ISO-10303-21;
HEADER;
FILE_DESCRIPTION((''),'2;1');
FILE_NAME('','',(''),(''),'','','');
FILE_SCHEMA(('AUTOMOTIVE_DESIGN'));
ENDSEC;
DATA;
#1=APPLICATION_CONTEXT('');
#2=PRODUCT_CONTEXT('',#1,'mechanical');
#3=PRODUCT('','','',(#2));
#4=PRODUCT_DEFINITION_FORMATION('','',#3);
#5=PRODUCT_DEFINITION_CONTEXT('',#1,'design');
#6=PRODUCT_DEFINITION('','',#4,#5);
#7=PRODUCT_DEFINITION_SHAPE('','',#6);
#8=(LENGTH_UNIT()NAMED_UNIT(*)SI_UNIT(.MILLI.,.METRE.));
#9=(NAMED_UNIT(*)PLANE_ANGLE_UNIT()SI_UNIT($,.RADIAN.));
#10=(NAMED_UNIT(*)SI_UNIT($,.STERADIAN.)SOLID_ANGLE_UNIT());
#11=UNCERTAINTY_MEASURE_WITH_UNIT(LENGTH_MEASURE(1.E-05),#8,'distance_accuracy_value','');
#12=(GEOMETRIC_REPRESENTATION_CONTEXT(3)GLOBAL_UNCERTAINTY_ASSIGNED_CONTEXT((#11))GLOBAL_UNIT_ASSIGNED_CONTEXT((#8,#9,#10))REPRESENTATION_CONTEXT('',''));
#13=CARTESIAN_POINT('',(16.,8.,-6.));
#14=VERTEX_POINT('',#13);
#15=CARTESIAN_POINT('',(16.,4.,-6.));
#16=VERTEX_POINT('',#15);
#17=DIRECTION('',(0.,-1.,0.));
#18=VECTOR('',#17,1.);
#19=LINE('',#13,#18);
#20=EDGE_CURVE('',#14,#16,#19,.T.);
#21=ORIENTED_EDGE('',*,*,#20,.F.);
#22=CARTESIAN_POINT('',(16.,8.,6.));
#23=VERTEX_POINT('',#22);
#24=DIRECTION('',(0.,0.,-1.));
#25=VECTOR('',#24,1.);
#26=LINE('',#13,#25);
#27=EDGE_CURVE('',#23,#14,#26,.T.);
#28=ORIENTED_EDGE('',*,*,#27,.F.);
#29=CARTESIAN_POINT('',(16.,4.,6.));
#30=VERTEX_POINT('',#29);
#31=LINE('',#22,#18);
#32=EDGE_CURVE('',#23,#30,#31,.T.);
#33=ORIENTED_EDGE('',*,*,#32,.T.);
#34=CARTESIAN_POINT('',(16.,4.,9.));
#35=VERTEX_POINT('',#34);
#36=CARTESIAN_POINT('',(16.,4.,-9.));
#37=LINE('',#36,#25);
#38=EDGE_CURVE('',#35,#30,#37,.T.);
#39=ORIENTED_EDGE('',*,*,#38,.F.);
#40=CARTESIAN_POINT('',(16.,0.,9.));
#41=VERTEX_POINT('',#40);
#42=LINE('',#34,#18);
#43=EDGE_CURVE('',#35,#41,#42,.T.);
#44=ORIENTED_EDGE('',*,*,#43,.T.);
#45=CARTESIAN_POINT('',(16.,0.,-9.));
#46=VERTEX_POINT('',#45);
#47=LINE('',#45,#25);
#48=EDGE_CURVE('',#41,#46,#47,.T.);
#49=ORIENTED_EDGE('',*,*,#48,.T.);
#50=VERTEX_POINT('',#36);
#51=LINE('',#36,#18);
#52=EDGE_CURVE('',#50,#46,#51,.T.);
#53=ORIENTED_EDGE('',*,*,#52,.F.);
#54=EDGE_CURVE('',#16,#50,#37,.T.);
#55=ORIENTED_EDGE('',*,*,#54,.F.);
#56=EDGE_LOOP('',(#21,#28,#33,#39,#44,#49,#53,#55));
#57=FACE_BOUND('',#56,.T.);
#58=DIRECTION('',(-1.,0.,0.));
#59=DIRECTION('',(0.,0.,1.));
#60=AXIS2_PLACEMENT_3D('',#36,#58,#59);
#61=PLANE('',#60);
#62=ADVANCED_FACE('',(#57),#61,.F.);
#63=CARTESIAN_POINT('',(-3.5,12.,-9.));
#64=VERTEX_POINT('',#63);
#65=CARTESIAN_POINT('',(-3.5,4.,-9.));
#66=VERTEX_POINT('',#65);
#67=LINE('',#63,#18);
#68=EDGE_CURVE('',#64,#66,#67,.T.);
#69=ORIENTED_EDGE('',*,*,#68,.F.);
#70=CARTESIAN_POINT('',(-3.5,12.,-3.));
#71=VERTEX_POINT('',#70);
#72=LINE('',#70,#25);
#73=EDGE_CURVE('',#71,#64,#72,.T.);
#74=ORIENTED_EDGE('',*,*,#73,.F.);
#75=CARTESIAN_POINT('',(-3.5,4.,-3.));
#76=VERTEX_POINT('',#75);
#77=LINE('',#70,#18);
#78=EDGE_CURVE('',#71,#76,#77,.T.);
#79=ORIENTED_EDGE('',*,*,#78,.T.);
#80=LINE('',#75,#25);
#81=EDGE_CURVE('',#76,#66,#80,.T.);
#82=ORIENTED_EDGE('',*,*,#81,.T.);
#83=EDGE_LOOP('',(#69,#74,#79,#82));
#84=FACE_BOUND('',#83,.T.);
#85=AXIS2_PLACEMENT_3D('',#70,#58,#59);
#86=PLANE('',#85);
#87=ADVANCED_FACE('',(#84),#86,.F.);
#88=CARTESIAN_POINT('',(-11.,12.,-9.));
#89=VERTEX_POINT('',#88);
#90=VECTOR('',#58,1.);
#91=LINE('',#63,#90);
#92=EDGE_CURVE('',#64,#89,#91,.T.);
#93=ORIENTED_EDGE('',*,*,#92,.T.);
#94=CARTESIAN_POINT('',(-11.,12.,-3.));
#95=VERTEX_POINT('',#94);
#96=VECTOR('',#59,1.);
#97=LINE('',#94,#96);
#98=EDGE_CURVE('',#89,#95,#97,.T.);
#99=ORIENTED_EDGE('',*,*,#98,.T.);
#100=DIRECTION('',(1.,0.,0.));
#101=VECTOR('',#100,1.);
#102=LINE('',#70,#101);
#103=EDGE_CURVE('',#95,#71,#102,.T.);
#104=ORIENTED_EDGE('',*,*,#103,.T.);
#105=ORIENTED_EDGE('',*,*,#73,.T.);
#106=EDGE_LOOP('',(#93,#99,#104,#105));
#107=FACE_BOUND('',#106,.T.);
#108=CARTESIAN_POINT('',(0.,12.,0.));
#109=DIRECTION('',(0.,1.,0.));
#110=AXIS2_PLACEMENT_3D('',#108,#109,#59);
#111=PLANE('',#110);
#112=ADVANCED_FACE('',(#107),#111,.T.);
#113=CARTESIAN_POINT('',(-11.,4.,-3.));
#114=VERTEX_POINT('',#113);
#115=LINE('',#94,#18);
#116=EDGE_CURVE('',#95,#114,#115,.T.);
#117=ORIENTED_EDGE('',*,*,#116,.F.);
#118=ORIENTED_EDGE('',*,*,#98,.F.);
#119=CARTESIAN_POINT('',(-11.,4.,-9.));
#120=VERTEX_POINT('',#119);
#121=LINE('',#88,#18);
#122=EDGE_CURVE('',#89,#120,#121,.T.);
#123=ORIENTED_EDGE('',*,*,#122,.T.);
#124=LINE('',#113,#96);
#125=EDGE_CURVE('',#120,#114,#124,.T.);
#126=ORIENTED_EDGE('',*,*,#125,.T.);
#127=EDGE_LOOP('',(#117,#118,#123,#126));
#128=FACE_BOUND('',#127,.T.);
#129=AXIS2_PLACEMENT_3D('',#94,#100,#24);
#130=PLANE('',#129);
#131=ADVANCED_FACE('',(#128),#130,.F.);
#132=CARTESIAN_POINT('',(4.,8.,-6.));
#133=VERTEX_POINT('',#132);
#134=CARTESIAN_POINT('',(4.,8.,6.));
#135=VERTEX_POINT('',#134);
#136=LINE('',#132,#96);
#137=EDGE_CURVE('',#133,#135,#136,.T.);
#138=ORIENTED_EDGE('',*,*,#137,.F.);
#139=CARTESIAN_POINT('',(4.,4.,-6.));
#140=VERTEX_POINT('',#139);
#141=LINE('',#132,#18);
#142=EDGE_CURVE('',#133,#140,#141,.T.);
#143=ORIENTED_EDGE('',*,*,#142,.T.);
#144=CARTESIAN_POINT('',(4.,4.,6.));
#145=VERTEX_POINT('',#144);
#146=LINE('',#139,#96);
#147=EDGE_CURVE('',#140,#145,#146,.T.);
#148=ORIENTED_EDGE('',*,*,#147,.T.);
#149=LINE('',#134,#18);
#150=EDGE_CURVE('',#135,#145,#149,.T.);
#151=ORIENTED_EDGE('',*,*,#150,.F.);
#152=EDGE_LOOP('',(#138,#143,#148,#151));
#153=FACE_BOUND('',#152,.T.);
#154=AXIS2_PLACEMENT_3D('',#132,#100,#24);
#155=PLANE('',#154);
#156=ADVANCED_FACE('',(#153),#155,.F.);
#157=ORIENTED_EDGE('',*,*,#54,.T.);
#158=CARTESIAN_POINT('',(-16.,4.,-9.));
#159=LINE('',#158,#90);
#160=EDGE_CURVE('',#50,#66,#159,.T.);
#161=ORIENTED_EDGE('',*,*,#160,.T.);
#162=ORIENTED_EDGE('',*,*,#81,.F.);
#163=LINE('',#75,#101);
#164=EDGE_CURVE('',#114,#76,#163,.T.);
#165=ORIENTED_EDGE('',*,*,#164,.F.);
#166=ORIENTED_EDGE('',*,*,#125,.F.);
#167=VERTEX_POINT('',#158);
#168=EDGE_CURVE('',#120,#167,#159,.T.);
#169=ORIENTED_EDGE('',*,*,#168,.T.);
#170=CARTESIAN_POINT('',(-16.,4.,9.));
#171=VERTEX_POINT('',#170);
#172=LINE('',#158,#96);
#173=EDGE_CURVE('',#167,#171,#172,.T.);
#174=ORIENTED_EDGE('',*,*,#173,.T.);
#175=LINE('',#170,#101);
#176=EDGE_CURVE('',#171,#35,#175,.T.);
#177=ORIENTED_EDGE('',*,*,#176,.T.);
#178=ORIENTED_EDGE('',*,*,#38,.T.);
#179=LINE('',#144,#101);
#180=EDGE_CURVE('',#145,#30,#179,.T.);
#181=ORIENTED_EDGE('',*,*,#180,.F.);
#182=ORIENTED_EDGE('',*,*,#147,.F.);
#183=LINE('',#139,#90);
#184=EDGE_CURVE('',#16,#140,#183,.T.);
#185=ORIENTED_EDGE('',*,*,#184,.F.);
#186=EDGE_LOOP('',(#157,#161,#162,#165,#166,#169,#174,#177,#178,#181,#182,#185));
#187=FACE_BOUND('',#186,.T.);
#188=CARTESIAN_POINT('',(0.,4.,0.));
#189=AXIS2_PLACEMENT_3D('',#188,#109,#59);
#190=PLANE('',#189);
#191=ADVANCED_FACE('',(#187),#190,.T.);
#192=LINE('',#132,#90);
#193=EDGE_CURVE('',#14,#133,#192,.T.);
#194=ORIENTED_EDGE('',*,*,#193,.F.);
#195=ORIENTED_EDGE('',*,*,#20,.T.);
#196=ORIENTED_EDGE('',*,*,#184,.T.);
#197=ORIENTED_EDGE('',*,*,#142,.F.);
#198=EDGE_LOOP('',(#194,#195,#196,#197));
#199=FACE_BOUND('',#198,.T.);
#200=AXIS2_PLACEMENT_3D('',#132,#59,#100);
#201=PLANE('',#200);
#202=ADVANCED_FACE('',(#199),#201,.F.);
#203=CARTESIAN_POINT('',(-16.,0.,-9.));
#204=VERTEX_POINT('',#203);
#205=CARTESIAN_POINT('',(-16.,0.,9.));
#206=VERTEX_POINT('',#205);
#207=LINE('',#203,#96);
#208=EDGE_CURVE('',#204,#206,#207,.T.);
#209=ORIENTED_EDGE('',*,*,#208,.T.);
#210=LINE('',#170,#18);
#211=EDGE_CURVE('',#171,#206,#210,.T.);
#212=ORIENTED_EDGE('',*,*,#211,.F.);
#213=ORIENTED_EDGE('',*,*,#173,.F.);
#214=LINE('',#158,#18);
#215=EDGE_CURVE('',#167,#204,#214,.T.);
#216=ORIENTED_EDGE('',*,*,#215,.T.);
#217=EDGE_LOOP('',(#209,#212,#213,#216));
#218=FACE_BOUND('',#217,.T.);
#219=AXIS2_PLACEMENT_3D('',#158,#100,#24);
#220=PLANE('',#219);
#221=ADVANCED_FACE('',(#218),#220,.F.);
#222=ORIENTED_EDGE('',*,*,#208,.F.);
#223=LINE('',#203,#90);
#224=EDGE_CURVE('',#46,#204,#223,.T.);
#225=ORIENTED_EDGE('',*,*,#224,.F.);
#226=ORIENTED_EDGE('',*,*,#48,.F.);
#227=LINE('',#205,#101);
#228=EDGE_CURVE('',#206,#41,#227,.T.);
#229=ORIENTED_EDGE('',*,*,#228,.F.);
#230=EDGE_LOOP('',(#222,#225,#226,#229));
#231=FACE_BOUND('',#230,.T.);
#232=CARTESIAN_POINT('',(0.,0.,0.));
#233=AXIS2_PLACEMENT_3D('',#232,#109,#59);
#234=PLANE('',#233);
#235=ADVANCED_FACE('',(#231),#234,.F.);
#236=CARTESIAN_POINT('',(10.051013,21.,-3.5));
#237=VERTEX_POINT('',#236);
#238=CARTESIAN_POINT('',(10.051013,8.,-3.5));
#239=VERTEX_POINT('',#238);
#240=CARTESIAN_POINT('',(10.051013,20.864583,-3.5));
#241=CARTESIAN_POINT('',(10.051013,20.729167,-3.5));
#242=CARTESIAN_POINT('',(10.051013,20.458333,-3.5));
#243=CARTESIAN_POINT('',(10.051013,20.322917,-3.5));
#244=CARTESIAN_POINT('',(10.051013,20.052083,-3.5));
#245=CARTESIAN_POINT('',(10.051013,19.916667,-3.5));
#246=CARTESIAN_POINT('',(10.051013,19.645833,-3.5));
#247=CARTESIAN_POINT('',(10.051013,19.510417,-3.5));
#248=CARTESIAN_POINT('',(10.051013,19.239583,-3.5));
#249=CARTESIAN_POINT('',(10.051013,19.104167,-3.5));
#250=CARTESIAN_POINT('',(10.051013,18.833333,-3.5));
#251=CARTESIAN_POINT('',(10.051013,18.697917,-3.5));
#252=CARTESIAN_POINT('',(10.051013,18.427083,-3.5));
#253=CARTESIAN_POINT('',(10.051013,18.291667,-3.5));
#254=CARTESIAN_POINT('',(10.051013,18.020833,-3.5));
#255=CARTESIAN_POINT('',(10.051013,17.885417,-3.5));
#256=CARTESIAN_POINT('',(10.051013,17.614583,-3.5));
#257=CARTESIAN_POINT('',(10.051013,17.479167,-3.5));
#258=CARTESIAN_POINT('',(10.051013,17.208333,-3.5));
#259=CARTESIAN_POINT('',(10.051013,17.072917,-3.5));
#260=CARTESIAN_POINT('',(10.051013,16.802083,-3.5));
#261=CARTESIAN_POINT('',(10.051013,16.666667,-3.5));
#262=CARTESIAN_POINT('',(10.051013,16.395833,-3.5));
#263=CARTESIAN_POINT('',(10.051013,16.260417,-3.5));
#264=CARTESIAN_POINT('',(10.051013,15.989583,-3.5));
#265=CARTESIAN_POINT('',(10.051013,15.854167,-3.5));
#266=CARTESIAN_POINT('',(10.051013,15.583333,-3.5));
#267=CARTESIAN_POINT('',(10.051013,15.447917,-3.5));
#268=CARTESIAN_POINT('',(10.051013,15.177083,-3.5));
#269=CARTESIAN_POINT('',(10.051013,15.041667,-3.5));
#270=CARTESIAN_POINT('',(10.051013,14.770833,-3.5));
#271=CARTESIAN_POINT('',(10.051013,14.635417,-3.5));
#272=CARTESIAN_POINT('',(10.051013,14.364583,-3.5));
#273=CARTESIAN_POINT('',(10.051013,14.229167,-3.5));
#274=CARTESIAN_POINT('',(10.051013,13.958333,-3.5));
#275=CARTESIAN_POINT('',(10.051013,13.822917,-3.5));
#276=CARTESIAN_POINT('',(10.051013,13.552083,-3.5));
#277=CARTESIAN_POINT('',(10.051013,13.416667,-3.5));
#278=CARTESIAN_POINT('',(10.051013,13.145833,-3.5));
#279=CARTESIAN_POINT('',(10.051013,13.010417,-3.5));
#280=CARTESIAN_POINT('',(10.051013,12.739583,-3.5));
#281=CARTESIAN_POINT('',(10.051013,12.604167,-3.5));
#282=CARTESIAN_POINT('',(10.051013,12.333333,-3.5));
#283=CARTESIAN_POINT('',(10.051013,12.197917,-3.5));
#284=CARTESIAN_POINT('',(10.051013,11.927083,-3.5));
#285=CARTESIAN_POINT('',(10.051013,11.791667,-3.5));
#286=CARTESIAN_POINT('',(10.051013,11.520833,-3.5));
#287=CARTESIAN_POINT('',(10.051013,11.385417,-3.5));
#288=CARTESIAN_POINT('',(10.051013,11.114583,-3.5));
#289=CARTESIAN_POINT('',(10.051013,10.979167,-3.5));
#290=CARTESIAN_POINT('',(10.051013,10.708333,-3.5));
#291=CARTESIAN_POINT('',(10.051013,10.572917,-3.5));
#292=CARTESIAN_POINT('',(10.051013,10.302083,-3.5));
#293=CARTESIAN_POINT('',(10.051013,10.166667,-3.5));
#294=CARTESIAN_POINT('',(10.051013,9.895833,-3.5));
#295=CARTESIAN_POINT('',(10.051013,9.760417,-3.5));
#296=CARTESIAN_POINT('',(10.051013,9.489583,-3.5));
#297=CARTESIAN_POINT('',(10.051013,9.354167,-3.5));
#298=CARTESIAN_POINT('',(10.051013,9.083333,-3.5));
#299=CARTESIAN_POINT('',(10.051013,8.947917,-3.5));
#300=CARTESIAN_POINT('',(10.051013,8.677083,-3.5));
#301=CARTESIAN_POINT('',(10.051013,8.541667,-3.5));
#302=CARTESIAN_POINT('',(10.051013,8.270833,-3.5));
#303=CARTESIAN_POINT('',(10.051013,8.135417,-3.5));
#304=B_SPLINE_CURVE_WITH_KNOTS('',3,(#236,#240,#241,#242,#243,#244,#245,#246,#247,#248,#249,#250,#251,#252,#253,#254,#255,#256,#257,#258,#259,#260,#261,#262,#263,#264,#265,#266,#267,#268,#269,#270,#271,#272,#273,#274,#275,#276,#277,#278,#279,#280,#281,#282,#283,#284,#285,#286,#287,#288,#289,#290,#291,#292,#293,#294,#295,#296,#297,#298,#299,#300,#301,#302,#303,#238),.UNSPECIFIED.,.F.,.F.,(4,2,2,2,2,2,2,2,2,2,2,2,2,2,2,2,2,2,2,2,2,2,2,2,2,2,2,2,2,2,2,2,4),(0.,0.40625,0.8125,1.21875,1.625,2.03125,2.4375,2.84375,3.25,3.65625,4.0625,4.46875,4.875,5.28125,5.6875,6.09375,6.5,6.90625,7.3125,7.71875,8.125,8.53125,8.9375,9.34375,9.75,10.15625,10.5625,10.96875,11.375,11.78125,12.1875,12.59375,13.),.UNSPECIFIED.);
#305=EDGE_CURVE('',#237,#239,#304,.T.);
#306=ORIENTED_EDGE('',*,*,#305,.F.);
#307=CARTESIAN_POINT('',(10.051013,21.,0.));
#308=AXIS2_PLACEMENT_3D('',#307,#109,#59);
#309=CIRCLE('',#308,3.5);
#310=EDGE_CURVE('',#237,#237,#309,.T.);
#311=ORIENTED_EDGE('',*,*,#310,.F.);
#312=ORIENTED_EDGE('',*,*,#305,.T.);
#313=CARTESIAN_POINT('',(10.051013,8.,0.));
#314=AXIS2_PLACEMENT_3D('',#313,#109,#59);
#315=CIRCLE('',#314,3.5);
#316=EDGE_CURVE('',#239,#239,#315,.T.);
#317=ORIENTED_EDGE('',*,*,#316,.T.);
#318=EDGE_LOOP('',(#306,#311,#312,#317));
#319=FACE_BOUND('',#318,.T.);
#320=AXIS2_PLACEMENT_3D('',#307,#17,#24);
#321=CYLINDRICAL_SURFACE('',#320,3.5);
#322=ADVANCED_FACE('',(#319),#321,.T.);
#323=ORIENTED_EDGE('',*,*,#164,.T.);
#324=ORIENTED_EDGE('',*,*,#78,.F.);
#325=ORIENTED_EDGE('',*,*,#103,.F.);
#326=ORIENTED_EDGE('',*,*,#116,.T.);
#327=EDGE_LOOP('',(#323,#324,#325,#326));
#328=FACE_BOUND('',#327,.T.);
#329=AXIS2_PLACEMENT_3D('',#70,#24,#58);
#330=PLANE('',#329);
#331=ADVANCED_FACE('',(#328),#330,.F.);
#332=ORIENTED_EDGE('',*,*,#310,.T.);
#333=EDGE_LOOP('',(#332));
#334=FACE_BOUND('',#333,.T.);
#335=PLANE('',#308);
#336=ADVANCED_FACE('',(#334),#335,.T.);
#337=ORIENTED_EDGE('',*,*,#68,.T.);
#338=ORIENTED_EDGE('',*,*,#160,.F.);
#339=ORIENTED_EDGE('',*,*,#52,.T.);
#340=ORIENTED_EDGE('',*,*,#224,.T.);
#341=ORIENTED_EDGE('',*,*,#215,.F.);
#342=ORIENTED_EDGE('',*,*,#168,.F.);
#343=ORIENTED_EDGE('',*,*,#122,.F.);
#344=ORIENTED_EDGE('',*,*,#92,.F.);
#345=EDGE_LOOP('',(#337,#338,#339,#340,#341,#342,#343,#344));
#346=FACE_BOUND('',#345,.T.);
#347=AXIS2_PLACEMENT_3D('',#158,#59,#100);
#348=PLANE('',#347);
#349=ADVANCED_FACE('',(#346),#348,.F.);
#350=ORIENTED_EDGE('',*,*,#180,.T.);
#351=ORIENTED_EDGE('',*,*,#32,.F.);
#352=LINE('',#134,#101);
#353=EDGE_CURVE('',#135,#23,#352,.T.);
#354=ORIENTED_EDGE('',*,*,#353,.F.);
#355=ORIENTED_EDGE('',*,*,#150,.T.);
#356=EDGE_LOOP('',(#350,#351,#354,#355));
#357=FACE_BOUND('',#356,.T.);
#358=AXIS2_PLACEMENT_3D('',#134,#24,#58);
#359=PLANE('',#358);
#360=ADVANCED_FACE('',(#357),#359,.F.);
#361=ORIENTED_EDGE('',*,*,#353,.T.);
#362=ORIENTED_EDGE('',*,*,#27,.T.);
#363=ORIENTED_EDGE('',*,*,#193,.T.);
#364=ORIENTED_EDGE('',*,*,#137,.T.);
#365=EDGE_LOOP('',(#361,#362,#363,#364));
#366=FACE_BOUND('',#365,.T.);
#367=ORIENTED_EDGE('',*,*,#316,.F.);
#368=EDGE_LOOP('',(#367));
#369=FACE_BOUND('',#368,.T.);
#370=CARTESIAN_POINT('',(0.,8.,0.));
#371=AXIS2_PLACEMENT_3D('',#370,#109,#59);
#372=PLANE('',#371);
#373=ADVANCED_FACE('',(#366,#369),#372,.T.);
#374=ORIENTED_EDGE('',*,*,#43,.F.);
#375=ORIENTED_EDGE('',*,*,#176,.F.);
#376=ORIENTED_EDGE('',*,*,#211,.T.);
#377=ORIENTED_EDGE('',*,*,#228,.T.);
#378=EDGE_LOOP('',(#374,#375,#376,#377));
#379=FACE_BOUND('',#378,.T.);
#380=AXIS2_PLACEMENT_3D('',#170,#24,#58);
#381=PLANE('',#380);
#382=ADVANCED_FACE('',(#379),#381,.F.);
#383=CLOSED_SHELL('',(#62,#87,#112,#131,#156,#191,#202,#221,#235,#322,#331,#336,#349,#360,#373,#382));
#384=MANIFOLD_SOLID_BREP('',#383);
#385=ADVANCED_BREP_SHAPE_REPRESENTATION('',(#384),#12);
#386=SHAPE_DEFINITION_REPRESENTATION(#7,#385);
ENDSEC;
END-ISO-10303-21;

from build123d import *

# Parameters (mm, degrees)
SKETCH1_W           = 32
SKETCH1_H           = 18
PCB_DEPTH           = 4
SKETCH2_W           = 7.5
SKETCH2_H           = 6
CONNECTOR_DEPTH     = 8
SKETCH3_W           = 12
SKETCH3_H           = 12
ENCODER_DEPTH       = 4
SKETCH4_R           = 3.5
BOSS_EXTRUDE4_DEPTH = 13


with BuildPart() as part:
    # Sketch1 → PCB (new body)
    with BuildSketch(Plane(origin=(0, 0, 0), x_dir=(1, 0, 0), z_dir=(0, 1, 0))):
        Rectangle(SKETCH1_W, SKETCH1_H)
    extrude(amount=PCB_DEPTH)

    # Sketch2 → Connector (add)
    with BuildSketch(Plane(origin=(0, 4, 0), x_dir=(1, 0, 0), z_dir=(0, 1, 0))):
        with Locations((-7.25, 6)):
            Rectangle(SKETCH2_W, SKETCH2_H)
    extrude(amount=CONNECTOR_DEPTH)

    # Sketch3 → Encoder (add)
    with BuildSketch(Plane(origin=(0, 4, 0), x_dir=(1, 0, 0), z_dir=(0, 1, 0))):
        with Locations((10, 0)):
            Rectangle(SKETCH3_W, SKETCH3_H)
    extrude(amount=ENCODER_DEPTH)

    # Sketch4 → Boss-Extrude4 (add)
    with BuildSketch(Plane(origin=(0, 8, 0), x_dir=(1, 0, 0), z_dir=(0, 1, 0))):
        with Locations(Location((10.051012923, 0, 0), (0, 0, 90))):
            Circle(SKETCH4_R)
    extrude(amount=BOSS_EXTRUDE4_DEPTH)


solid = part.part
